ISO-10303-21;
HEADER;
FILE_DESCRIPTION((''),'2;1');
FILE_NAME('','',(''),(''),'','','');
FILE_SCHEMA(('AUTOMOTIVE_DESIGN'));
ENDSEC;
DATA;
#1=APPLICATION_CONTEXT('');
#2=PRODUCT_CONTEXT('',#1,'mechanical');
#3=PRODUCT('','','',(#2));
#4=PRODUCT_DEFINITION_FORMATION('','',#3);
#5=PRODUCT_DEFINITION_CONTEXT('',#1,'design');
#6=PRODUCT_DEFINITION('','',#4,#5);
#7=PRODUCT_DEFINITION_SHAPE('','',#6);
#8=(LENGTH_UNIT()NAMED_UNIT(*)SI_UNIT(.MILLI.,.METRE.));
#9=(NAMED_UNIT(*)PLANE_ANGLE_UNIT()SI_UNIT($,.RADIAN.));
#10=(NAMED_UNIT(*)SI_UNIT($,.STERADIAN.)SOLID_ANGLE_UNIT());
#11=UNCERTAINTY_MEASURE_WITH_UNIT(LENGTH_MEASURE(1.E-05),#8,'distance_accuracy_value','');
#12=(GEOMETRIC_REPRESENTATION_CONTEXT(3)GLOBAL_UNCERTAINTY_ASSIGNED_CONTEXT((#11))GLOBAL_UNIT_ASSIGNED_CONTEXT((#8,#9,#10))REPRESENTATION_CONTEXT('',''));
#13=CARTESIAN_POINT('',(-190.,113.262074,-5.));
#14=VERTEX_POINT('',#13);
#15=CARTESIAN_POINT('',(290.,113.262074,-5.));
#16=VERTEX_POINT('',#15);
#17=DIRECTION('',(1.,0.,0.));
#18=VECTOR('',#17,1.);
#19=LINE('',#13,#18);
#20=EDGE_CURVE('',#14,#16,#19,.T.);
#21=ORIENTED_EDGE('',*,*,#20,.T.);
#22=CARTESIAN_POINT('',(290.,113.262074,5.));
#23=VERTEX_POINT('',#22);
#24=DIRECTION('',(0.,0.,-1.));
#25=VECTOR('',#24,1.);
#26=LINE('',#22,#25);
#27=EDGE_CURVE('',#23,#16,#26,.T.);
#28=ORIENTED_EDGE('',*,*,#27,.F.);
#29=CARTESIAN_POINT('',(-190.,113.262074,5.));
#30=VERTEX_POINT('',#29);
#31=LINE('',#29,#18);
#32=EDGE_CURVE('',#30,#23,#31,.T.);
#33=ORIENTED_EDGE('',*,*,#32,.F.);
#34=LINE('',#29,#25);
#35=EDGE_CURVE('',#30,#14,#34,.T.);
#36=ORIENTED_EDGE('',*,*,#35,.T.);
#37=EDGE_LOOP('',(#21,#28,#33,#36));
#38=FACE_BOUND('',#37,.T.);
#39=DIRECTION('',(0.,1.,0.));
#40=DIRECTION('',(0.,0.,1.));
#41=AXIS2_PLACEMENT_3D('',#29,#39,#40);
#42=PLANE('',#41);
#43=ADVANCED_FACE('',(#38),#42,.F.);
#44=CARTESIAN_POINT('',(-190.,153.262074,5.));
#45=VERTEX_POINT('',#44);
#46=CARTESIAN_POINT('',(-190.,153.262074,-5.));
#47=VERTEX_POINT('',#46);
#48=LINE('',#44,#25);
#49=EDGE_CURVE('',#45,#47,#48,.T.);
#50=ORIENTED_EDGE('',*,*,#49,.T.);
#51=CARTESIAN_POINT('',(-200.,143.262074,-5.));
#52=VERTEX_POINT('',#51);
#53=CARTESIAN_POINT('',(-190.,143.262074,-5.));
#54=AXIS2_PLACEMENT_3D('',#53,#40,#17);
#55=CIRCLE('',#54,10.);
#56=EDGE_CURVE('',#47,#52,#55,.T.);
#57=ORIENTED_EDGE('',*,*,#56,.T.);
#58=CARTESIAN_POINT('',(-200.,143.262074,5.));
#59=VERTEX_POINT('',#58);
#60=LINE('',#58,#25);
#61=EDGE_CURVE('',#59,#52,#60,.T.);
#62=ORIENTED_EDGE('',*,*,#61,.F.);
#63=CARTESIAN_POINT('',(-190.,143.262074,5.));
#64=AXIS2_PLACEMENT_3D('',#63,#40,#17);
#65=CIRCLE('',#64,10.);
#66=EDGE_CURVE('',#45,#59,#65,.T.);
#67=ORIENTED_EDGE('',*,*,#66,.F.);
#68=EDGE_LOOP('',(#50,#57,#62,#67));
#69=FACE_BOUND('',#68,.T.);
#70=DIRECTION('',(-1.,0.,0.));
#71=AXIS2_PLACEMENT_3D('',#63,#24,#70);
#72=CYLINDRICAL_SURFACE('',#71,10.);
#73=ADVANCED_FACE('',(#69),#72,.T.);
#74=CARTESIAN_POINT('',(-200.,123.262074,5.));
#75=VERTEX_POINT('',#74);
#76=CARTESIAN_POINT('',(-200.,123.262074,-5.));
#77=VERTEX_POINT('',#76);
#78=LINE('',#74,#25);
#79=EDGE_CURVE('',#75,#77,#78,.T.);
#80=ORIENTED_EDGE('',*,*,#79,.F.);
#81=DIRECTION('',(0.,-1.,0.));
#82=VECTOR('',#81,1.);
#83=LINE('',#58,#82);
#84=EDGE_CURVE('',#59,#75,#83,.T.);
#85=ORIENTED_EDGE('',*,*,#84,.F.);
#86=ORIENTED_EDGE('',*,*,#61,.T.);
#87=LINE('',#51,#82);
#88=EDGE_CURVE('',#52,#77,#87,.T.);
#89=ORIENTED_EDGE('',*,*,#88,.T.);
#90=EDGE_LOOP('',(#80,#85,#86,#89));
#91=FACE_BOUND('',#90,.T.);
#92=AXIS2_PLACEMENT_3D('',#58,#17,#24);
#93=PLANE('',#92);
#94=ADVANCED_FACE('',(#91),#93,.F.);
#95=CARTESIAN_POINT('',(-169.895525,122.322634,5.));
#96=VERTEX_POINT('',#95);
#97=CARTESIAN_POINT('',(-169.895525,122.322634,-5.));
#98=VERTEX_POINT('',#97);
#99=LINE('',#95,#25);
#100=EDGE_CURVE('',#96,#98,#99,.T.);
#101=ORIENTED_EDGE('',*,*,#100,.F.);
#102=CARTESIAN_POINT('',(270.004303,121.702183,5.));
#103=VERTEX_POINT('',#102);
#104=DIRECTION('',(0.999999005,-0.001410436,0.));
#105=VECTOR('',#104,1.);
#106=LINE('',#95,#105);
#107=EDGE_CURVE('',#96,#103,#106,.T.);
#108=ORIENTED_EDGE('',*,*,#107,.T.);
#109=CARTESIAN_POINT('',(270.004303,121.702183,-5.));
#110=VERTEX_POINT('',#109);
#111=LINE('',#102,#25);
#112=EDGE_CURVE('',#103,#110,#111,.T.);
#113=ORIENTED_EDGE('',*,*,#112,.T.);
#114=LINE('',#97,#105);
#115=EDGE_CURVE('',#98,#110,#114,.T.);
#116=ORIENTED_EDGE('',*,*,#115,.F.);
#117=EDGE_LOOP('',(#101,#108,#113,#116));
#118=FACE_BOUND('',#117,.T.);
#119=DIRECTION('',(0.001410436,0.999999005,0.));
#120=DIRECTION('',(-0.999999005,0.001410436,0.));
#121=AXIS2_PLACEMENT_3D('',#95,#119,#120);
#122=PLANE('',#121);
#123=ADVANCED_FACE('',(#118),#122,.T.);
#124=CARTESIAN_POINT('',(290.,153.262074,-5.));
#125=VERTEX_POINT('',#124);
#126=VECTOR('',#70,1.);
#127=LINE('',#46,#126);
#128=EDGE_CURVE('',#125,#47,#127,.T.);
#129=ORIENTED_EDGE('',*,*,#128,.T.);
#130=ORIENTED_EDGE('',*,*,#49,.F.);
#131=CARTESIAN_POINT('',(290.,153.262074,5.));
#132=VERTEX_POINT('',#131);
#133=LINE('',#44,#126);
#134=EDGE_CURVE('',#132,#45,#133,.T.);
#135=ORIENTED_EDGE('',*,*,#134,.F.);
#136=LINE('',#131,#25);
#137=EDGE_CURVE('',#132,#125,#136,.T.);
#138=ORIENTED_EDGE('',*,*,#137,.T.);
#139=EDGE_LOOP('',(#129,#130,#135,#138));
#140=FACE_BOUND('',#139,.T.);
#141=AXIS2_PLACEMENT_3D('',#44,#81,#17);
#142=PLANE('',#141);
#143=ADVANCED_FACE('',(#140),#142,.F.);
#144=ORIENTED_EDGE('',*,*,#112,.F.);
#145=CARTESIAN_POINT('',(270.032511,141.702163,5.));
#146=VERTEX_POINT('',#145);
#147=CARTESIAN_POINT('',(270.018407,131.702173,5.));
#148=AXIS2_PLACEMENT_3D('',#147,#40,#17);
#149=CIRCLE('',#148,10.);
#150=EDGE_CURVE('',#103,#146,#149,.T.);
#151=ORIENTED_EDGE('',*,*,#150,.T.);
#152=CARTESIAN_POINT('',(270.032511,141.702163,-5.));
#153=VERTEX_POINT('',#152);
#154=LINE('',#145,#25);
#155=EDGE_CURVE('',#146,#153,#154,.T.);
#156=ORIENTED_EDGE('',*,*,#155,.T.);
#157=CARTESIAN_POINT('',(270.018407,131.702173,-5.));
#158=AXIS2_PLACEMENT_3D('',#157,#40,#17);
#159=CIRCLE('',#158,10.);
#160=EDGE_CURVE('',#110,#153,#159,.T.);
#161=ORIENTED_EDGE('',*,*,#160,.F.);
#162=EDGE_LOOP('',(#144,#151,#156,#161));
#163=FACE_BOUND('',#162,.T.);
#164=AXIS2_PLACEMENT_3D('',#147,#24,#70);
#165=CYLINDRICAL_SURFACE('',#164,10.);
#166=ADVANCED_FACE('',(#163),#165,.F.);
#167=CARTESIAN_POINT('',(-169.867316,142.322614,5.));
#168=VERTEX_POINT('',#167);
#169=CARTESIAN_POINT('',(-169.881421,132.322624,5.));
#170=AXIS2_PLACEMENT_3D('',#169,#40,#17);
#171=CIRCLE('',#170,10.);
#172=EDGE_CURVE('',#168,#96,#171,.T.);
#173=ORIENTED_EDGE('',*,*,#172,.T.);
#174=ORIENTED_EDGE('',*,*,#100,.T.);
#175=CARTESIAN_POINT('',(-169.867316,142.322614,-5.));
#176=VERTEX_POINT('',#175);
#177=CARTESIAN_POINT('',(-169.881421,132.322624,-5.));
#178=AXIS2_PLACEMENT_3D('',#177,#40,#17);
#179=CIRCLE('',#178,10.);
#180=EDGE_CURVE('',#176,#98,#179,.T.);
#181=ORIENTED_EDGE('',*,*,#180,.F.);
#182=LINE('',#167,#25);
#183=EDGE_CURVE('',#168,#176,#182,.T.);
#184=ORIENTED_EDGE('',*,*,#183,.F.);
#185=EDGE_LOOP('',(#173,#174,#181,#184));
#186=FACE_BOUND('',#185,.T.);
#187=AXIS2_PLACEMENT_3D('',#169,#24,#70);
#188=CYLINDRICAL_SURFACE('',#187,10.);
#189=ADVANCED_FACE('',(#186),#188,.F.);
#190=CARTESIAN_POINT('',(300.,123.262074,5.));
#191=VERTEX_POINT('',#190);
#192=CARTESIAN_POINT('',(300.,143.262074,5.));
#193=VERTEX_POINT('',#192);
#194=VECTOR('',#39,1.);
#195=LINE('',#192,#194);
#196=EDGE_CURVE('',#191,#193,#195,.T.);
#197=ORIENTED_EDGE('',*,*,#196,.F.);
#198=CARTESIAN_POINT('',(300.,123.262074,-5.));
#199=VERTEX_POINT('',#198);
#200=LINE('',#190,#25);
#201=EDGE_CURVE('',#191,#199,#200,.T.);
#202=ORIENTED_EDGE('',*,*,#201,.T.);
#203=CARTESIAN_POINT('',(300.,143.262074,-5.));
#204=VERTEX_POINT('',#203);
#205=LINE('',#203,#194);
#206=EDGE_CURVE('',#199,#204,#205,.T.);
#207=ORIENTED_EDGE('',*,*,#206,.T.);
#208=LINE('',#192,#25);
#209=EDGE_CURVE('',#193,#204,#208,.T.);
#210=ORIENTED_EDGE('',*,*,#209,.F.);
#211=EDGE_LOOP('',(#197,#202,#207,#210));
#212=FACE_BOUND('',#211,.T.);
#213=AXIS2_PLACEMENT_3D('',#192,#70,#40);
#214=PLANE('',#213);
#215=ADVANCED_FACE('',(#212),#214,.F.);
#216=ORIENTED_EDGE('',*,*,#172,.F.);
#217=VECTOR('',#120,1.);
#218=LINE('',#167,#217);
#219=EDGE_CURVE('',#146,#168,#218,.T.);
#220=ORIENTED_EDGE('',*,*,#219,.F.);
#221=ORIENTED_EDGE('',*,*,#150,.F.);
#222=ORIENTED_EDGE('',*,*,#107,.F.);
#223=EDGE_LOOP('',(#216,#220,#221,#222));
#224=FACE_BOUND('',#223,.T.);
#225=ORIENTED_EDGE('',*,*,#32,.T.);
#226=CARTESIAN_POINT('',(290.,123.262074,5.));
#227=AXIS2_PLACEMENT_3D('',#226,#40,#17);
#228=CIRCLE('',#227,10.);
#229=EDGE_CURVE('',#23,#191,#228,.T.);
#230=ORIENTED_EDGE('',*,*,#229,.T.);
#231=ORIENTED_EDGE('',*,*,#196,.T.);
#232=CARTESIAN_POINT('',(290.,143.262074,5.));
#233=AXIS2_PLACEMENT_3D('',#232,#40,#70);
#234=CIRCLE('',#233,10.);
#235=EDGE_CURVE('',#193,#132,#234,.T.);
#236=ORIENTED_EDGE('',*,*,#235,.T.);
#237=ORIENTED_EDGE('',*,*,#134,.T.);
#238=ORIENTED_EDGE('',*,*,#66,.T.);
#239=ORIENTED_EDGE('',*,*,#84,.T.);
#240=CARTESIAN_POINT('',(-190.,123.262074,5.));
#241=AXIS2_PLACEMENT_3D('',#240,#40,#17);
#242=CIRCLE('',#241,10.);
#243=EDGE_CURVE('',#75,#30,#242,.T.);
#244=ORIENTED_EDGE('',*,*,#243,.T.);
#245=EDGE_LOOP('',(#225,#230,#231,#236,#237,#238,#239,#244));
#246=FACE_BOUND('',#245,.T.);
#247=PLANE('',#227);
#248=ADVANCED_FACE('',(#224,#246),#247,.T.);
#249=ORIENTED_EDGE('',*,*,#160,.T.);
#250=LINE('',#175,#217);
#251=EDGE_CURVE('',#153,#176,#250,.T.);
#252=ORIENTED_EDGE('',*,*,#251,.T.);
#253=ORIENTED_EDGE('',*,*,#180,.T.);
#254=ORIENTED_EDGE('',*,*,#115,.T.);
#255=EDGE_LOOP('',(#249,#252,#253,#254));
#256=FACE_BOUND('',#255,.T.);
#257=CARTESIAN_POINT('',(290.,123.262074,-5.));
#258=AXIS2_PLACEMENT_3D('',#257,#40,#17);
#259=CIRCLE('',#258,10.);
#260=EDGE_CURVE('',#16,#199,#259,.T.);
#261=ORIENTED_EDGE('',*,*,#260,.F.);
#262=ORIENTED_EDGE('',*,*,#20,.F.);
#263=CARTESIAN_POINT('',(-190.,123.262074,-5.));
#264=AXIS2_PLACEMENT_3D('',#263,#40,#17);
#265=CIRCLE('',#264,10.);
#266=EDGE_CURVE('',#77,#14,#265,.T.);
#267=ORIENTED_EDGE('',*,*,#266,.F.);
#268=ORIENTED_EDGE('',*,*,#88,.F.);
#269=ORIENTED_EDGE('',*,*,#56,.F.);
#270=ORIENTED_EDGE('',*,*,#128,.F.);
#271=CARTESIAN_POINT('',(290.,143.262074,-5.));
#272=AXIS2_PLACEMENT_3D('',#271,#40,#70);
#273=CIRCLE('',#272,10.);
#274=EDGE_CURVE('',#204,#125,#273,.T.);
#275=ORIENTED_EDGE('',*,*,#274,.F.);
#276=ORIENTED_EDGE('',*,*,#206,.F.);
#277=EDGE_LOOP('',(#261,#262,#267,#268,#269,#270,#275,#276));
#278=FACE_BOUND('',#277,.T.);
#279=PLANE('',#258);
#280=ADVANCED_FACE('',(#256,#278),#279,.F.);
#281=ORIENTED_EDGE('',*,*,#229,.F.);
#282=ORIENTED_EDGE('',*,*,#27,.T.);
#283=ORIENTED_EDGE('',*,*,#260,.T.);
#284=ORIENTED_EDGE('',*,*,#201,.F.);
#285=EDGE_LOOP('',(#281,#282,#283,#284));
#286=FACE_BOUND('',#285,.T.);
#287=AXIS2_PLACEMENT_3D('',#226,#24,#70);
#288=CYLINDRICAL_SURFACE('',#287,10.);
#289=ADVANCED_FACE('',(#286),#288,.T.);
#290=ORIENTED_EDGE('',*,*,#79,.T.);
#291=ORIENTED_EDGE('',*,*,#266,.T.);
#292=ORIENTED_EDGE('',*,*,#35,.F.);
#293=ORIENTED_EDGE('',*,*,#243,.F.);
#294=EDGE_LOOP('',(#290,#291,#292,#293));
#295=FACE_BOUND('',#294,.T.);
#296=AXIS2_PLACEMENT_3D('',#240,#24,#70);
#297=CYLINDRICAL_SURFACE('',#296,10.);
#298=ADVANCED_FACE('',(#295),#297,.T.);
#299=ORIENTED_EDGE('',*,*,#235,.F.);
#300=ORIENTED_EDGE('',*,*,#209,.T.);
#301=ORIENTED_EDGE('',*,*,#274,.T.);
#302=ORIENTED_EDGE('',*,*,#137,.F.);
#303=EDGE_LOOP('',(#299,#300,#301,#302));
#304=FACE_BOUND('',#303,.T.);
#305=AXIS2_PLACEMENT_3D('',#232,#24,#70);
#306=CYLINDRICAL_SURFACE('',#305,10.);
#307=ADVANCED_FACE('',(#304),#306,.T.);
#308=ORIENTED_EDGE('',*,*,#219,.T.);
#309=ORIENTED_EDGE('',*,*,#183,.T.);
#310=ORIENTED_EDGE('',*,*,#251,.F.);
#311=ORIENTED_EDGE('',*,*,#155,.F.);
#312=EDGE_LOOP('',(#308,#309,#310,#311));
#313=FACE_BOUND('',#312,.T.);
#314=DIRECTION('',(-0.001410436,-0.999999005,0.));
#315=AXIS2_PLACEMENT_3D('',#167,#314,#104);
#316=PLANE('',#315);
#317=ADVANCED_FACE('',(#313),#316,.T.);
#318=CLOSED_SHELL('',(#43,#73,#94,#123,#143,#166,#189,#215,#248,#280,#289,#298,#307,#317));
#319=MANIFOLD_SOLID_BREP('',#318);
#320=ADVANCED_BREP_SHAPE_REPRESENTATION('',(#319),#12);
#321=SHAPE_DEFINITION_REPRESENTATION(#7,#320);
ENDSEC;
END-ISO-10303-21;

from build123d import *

# Parameters (mm, degrees)
BOSS_EXTRUDE1_DEPTH = 5


with BuildPart() as part:
    # Sketch1 → Boss-Extrude1 (new body, symmetric)
    with BuildSketch(Plane.XY):
        with BuildLine():
            Line((-190, 153.262074111), (290, 153.262074111))
            ThreePointArc((290, 153.262074111), (297.071067812, 150.333141922), (300, 143.262074111))
            Line((300, 143.262074111), (300, 123.262074111))
            ThreePointArc((300, 123.262074111), (297.071067812, 116.191006299), (290, 113.262074111))
            Line((290, 113.262074111), (-190, 113.262074111))
            ThreePointArc((-190, 113.262074111), (-197.071067812, 116.191006299), (-200, 123.262074111))
            Line((-200, 123.262074111), (-200, 143.262074111))
            ThreePointArc((-200, 143.262074111), (-197.071067812, 150.333141922), (-190, 153.262074111))
        make_face()
        with BuildLine():
            Line((-169.867316387, 142.322613738), (270.03251135, 141.702162641))
            ThreePointArc((270.03251135, 141.702162641), (280.018397045, 131.68806823), (270.004302633, 121.702182535))
            Line((270.004302633, 121.702182535), (-169.895525104, 122.322633632))
            ThreePointArc((-169.895525104, 122.322633632), (-179.881410799, 132.336728043), (-169.867316387, 142.322613738))
        make_face(mode=Mode.SUBTRACT)
    extrude(amount=BOSS_EXTRUDE1_DEPTH, both=True)


solid = part.part
